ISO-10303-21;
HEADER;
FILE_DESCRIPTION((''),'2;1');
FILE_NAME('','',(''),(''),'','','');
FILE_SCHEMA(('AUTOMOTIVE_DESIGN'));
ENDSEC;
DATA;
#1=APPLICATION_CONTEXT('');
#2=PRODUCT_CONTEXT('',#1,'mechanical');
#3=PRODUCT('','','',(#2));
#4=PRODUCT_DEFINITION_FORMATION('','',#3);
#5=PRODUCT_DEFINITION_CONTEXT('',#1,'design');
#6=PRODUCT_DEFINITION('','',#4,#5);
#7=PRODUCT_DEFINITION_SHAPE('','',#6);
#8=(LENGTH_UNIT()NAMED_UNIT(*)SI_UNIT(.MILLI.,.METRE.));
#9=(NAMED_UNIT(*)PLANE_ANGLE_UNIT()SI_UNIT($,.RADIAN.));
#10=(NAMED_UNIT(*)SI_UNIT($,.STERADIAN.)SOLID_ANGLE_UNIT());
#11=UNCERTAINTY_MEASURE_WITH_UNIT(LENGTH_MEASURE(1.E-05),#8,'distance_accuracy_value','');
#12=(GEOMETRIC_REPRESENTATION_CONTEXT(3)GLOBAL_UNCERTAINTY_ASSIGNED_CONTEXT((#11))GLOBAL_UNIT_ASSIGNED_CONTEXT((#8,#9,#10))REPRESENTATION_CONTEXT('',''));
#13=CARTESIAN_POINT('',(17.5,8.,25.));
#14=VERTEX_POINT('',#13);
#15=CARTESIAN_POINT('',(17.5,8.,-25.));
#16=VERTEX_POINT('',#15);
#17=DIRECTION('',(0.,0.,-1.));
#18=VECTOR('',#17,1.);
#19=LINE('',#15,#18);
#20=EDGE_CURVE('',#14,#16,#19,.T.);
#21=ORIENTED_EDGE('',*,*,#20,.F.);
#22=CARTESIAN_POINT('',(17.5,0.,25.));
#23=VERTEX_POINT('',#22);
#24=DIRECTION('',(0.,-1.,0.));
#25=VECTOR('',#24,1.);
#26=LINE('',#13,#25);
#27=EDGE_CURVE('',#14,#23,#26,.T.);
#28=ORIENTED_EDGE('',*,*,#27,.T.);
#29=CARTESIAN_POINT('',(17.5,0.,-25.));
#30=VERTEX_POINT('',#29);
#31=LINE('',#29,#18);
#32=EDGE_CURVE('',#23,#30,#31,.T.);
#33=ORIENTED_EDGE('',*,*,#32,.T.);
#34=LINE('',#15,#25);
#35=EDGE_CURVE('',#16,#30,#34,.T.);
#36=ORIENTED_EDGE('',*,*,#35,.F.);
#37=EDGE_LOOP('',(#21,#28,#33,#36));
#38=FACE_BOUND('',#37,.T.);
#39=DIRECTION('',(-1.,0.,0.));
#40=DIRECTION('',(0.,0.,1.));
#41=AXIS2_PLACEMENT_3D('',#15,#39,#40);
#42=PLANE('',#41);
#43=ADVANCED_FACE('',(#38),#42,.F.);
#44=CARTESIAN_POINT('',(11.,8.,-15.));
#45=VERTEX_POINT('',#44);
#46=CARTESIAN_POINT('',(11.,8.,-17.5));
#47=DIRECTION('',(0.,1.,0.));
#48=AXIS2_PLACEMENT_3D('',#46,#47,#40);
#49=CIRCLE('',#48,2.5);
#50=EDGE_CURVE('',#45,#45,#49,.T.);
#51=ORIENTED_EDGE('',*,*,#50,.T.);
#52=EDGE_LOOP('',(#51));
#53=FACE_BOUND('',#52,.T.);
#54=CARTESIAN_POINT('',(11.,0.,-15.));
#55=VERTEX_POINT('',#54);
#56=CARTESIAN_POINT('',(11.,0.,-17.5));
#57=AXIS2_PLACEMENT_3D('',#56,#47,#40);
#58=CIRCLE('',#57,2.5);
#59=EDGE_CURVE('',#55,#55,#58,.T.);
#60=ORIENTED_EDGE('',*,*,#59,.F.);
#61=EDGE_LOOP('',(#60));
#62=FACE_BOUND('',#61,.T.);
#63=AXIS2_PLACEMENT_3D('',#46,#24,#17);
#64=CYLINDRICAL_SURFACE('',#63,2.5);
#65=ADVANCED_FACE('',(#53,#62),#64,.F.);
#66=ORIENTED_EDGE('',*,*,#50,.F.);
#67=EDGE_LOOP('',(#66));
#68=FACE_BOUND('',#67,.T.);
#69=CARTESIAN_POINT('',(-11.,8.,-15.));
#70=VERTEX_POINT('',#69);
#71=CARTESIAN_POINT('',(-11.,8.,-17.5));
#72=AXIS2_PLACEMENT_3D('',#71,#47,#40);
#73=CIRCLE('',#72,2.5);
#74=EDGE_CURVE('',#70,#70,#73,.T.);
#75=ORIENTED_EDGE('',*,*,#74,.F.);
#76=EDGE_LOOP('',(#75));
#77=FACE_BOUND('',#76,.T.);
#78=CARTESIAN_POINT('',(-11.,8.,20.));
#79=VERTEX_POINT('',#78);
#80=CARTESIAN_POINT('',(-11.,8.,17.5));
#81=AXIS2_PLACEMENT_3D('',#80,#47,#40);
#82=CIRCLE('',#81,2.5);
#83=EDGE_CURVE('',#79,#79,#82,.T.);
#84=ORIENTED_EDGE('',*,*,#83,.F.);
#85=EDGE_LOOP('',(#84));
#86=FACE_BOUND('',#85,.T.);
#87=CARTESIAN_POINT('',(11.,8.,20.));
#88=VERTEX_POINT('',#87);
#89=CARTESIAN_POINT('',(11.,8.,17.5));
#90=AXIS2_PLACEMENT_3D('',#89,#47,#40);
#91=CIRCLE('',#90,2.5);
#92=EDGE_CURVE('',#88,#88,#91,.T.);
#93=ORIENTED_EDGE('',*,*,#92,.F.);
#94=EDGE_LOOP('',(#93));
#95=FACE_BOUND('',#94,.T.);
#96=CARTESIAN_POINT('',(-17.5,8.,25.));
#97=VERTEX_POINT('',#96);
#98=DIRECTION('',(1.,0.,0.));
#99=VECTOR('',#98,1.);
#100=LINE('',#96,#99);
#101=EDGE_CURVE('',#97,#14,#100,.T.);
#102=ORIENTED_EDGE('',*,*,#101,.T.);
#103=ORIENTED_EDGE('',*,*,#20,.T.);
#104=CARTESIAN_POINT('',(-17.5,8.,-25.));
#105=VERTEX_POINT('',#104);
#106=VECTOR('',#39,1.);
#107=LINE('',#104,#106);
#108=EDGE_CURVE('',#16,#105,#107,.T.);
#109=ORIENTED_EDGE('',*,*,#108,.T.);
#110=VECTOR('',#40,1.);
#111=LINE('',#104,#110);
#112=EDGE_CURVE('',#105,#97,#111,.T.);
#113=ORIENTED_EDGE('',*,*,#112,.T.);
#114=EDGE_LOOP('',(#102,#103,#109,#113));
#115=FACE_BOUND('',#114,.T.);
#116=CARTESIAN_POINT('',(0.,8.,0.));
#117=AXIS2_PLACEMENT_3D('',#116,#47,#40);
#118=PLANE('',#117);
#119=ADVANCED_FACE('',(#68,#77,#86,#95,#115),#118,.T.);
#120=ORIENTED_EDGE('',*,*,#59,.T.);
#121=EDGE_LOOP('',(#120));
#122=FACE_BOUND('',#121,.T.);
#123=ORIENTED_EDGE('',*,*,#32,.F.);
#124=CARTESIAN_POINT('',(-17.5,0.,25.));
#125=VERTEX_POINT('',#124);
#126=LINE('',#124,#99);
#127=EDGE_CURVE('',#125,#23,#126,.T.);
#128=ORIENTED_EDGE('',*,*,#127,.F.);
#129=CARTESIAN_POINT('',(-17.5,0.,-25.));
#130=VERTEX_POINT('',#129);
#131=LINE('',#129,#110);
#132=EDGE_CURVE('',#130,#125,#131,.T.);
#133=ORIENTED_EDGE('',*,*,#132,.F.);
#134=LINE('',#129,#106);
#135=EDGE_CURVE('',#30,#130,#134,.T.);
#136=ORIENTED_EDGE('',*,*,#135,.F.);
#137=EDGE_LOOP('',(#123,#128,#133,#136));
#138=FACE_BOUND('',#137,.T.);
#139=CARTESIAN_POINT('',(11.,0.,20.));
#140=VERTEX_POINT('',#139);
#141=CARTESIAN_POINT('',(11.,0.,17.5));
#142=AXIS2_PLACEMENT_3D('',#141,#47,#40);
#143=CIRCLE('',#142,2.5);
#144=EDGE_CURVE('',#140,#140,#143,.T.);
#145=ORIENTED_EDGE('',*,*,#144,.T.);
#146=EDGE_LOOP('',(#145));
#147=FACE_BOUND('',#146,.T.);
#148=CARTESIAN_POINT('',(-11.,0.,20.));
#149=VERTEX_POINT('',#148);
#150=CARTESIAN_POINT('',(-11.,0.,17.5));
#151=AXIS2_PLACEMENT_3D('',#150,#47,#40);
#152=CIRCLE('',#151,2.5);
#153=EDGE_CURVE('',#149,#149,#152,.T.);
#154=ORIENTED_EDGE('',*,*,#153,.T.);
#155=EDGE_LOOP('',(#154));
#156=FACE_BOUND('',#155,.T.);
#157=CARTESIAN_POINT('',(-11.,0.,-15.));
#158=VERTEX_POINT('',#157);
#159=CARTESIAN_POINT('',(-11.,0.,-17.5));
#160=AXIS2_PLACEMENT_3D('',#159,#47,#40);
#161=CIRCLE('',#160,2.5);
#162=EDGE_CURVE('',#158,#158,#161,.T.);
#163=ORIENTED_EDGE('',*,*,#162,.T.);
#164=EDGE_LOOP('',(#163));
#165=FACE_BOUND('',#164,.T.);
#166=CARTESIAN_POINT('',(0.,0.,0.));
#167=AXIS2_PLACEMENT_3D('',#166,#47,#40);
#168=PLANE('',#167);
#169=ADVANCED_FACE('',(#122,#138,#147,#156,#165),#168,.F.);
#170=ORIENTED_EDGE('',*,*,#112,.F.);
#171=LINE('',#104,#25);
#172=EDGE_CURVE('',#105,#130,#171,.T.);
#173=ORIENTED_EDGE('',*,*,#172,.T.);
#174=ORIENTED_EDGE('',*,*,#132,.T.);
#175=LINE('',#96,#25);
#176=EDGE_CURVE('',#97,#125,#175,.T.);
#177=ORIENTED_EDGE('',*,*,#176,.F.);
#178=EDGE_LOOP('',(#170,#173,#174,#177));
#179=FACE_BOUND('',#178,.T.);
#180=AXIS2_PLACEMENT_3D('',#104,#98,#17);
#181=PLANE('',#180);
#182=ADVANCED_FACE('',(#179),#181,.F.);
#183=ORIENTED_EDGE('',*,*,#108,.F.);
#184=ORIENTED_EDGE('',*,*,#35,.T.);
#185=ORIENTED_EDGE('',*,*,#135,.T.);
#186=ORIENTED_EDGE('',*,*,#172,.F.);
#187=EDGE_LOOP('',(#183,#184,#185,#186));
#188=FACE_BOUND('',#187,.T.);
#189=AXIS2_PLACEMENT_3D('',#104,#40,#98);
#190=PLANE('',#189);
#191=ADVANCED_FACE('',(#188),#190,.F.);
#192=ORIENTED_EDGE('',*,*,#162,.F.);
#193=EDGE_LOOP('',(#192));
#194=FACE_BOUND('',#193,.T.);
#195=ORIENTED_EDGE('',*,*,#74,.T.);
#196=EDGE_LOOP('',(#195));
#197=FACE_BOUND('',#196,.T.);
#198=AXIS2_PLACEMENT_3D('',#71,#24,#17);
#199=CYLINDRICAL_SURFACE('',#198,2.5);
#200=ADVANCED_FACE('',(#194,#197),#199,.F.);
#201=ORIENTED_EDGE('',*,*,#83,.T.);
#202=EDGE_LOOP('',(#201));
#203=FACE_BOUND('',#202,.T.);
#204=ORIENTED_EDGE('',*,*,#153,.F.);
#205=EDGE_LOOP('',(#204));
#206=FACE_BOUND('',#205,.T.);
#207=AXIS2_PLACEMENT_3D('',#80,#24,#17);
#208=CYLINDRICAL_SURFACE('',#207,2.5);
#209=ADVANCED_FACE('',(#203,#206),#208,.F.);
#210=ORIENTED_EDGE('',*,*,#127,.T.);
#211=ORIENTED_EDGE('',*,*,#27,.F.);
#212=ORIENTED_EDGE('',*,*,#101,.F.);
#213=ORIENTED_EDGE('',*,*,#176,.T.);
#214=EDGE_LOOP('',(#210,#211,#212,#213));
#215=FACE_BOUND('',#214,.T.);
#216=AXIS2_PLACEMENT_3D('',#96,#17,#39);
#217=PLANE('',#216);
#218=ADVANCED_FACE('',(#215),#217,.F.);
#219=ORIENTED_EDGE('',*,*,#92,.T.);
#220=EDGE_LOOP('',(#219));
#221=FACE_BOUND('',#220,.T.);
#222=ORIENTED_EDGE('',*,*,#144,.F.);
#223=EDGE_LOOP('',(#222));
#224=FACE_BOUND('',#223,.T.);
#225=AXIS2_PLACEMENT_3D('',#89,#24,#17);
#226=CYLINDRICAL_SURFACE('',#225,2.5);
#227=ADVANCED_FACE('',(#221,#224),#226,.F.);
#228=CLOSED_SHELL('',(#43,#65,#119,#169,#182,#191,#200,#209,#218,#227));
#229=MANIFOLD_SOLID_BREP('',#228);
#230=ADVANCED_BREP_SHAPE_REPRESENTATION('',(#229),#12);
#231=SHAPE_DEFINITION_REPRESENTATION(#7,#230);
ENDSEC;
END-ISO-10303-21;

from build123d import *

# Parameters (mm, degrees)
SKETCH1_W           = 35
SKETCH1_H           = 50
SKETCH1_R           = 2.5
BOSS_EXTRUDE1_DEPTH = 8


with BuildPart() as part:
    # Sketch1 → Boss-Extrude1 (new body)
    with BuildSketch(Plane(origin=(0, 0, 0), x_dir=(1, 0, 0), z_dir=(0, 1, 0))):
        Rectangle(SKETCH1_W, SKETCH1_H)
        with Locations(Location((11, 17.5, 0), (0, 0, 270))):
            Circle(SKETCH1_R, mode=Mode.SUBTRACT)
        with Locations(Location((11, -17.5, 0), (0, 0, 270))):
            Circle(SKETCH1_R, mode=Mode.SUBTRACT)
        with Locations(Location((-11, 17.5, 0), (0, 0, 270))):
            Circle(SKETCH1_R, mode=Mode.SUBTRACT)
        with Locations(Location((-11, -17.5, 0), (0, 0, 270))):
            Circle(SKETCH1_R, mode=Mode.SUBTRACT)
    extrude(amount=BOSS_EXTRUDE1_DEPTH)


solid = part.part
